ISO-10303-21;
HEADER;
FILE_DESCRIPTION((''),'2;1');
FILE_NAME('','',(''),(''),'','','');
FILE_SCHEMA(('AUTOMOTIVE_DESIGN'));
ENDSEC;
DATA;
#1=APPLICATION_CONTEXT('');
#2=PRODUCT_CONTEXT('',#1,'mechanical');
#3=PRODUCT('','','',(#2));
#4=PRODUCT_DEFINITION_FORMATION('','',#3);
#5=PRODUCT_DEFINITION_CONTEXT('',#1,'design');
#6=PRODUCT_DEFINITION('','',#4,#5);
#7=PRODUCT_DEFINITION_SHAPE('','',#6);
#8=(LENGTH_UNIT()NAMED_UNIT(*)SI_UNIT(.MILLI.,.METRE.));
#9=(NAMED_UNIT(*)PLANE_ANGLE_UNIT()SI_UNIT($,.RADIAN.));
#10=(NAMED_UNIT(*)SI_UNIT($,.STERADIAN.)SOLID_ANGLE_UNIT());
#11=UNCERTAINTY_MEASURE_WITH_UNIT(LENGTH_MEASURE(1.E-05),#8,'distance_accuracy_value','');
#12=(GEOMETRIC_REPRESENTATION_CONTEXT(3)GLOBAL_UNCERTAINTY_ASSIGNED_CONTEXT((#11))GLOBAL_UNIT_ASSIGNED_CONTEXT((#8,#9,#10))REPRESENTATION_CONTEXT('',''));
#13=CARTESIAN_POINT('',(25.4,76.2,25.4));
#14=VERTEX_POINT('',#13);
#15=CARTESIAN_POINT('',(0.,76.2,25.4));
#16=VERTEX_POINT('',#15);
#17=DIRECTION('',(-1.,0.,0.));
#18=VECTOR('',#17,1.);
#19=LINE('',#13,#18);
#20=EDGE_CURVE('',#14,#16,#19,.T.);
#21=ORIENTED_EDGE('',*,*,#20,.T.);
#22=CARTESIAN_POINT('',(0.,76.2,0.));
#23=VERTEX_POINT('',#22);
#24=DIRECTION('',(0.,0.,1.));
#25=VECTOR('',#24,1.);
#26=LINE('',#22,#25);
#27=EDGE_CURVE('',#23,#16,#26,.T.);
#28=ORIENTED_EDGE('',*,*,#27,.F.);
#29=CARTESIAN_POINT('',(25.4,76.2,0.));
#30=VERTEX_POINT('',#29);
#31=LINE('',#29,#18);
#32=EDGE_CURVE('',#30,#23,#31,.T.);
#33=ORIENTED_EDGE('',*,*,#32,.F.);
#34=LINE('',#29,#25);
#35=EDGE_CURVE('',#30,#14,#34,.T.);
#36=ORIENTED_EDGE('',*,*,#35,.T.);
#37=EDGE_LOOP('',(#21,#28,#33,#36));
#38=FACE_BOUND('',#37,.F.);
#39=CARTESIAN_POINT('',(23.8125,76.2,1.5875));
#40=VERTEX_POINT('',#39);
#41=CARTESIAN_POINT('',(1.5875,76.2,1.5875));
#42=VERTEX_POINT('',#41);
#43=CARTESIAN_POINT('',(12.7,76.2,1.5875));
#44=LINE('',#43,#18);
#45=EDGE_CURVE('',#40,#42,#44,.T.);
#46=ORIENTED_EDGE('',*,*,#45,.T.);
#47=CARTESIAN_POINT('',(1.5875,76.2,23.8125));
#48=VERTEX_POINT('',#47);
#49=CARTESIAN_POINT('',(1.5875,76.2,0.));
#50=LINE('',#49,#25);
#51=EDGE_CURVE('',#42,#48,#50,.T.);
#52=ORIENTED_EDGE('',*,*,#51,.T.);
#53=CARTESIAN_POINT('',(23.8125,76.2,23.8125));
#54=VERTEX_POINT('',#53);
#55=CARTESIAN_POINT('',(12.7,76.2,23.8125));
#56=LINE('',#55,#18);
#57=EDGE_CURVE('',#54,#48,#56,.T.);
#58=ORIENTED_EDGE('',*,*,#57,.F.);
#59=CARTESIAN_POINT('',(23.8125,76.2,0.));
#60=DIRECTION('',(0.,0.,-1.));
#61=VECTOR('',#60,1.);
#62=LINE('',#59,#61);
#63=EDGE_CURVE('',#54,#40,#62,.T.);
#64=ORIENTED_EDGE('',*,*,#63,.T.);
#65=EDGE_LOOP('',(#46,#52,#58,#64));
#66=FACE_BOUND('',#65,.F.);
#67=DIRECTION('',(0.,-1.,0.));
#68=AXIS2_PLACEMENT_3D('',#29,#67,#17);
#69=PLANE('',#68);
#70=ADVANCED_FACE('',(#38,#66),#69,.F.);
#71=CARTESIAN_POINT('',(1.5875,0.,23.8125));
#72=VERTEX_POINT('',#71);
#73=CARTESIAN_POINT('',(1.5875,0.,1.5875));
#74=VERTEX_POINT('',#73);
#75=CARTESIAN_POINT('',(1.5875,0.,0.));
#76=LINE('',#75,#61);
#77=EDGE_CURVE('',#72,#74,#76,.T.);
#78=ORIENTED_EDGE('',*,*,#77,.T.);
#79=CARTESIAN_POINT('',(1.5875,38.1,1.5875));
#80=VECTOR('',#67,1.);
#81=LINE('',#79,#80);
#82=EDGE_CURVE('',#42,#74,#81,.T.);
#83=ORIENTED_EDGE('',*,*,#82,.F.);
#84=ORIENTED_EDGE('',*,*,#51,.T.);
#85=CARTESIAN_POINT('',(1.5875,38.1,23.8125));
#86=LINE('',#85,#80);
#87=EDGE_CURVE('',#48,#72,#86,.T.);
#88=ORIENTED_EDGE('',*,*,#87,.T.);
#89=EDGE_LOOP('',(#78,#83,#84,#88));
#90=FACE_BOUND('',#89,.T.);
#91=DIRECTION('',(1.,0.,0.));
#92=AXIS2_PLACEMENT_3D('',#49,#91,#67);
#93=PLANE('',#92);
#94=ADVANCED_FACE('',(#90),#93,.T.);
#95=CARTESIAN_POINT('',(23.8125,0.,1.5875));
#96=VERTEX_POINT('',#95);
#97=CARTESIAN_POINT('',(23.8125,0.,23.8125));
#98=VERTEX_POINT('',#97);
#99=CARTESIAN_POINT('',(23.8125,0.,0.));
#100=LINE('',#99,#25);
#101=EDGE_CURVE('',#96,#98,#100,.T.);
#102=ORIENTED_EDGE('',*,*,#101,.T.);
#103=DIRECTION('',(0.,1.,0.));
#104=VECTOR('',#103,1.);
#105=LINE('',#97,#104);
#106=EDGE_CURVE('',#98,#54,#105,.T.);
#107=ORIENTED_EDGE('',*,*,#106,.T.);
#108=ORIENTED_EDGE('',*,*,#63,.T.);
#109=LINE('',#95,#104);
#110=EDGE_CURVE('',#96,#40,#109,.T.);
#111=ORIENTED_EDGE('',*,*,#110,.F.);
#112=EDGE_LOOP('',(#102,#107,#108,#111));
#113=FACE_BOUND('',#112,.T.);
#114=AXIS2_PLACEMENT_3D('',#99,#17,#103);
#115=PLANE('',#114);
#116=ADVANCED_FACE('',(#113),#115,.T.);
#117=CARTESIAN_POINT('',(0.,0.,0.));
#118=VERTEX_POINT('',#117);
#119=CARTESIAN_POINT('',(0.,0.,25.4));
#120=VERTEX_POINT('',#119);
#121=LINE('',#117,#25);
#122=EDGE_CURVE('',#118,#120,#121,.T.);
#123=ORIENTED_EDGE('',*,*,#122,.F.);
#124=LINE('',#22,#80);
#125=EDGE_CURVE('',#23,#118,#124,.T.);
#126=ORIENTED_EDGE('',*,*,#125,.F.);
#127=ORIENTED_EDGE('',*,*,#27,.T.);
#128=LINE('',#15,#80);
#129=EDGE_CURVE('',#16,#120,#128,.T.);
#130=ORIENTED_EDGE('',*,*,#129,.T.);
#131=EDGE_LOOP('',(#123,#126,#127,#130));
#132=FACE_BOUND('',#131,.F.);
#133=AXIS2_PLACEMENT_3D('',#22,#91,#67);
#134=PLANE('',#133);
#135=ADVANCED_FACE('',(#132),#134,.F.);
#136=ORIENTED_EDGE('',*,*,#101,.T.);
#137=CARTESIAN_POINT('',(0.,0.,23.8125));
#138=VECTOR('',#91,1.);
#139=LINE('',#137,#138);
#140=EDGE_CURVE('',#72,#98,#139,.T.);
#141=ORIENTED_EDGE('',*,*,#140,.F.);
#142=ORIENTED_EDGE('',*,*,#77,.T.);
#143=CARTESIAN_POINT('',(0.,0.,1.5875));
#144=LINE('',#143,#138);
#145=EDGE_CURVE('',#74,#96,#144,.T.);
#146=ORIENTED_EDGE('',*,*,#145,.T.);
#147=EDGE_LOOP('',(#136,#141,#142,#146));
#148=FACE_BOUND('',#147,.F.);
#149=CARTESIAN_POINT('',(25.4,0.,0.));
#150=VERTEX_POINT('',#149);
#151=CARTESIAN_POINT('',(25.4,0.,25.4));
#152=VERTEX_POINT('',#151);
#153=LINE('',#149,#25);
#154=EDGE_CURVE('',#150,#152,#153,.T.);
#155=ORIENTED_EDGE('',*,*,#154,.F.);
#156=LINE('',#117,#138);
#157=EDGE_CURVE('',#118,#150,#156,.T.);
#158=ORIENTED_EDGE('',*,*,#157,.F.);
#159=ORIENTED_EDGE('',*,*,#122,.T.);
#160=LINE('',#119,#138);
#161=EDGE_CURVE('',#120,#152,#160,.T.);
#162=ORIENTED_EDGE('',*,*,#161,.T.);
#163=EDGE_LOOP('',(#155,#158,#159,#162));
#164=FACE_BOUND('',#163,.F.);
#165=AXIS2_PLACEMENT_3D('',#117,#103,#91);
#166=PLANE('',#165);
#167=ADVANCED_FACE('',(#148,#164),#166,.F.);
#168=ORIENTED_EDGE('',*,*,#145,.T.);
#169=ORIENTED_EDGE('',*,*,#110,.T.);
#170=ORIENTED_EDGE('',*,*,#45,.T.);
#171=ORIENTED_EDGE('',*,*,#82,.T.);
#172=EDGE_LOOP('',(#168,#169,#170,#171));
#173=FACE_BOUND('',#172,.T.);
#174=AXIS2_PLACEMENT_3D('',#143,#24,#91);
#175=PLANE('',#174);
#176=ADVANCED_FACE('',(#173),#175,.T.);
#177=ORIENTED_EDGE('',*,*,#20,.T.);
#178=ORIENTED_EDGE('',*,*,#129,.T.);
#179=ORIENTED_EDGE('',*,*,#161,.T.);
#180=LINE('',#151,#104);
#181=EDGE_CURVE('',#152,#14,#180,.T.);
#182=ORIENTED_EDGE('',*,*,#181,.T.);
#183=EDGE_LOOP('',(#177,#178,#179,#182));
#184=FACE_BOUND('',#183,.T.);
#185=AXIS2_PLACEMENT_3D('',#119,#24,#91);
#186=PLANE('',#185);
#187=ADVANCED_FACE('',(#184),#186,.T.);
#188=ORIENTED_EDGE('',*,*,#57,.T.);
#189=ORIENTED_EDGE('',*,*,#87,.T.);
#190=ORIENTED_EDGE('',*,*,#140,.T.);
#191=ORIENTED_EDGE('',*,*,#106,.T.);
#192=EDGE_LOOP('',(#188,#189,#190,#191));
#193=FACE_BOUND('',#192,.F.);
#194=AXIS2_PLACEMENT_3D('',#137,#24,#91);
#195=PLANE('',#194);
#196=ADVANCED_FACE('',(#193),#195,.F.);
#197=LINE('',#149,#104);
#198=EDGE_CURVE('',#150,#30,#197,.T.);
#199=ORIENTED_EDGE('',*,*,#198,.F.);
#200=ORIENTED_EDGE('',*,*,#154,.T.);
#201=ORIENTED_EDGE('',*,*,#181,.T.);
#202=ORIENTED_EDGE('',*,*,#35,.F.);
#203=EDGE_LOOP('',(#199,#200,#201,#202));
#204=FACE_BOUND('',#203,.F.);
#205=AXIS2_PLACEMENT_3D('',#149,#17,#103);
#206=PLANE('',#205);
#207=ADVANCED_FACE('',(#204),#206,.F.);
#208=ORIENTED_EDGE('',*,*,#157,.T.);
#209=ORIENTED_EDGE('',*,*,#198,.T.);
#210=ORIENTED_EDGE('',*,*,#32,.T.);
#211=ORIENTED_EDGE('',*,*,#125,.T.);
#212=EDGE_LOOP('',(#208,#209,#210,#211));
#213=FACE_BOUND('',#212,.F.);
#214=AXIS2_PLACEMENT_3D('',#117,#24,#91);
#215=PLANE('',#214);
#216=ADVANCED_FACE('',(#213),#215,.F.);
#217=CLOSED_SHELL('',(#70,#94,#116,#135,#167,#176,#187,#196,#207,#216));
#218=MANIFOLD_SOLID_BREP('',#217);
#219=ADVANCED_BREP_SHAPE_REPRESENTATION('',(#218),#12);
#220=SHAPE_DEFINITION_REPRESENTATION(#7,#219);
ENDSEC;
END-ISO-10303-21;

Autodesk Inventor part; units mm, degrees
ref_plane "YZ Plane" through (0, 0, 0) normal (1, 0, 0) x (0, 1, 0)
ref_plane "XZ Plane" through (0, 0, 0) normal (0, 1, 0) x (-1, 0, 0)
ref_plane "XY Plane" through (0, 0, 0) normal (0, 0, 1) x (1, 0, 0)
sketch "Sketch1" plane through (0, 0, 0) normal (0, 0, 1) x (1, 0, 0)
  line L0 (0, 0) -> (25.4, 0)
  line L1 (25.4, 0) -> (25.4, 76.2)
  line L2 (25.4, 76.2) -> (0, 76.2)
  line L3 (0, 76.2) -> (0, 0)
  dimension "d0" = 25.4
  dimension "d1" = 76.2
extrude "Extrusion1" add sketch "Sketch1" along normal blind 25.4
shell "Shell1" thickness 1.5875 removed faces 2 at (16.9333, 76.2, 16.9333) at (8.4667, 0, 8.4667)
properties part number "Shovel_VerticalArm" material "Aluminum-6061"
